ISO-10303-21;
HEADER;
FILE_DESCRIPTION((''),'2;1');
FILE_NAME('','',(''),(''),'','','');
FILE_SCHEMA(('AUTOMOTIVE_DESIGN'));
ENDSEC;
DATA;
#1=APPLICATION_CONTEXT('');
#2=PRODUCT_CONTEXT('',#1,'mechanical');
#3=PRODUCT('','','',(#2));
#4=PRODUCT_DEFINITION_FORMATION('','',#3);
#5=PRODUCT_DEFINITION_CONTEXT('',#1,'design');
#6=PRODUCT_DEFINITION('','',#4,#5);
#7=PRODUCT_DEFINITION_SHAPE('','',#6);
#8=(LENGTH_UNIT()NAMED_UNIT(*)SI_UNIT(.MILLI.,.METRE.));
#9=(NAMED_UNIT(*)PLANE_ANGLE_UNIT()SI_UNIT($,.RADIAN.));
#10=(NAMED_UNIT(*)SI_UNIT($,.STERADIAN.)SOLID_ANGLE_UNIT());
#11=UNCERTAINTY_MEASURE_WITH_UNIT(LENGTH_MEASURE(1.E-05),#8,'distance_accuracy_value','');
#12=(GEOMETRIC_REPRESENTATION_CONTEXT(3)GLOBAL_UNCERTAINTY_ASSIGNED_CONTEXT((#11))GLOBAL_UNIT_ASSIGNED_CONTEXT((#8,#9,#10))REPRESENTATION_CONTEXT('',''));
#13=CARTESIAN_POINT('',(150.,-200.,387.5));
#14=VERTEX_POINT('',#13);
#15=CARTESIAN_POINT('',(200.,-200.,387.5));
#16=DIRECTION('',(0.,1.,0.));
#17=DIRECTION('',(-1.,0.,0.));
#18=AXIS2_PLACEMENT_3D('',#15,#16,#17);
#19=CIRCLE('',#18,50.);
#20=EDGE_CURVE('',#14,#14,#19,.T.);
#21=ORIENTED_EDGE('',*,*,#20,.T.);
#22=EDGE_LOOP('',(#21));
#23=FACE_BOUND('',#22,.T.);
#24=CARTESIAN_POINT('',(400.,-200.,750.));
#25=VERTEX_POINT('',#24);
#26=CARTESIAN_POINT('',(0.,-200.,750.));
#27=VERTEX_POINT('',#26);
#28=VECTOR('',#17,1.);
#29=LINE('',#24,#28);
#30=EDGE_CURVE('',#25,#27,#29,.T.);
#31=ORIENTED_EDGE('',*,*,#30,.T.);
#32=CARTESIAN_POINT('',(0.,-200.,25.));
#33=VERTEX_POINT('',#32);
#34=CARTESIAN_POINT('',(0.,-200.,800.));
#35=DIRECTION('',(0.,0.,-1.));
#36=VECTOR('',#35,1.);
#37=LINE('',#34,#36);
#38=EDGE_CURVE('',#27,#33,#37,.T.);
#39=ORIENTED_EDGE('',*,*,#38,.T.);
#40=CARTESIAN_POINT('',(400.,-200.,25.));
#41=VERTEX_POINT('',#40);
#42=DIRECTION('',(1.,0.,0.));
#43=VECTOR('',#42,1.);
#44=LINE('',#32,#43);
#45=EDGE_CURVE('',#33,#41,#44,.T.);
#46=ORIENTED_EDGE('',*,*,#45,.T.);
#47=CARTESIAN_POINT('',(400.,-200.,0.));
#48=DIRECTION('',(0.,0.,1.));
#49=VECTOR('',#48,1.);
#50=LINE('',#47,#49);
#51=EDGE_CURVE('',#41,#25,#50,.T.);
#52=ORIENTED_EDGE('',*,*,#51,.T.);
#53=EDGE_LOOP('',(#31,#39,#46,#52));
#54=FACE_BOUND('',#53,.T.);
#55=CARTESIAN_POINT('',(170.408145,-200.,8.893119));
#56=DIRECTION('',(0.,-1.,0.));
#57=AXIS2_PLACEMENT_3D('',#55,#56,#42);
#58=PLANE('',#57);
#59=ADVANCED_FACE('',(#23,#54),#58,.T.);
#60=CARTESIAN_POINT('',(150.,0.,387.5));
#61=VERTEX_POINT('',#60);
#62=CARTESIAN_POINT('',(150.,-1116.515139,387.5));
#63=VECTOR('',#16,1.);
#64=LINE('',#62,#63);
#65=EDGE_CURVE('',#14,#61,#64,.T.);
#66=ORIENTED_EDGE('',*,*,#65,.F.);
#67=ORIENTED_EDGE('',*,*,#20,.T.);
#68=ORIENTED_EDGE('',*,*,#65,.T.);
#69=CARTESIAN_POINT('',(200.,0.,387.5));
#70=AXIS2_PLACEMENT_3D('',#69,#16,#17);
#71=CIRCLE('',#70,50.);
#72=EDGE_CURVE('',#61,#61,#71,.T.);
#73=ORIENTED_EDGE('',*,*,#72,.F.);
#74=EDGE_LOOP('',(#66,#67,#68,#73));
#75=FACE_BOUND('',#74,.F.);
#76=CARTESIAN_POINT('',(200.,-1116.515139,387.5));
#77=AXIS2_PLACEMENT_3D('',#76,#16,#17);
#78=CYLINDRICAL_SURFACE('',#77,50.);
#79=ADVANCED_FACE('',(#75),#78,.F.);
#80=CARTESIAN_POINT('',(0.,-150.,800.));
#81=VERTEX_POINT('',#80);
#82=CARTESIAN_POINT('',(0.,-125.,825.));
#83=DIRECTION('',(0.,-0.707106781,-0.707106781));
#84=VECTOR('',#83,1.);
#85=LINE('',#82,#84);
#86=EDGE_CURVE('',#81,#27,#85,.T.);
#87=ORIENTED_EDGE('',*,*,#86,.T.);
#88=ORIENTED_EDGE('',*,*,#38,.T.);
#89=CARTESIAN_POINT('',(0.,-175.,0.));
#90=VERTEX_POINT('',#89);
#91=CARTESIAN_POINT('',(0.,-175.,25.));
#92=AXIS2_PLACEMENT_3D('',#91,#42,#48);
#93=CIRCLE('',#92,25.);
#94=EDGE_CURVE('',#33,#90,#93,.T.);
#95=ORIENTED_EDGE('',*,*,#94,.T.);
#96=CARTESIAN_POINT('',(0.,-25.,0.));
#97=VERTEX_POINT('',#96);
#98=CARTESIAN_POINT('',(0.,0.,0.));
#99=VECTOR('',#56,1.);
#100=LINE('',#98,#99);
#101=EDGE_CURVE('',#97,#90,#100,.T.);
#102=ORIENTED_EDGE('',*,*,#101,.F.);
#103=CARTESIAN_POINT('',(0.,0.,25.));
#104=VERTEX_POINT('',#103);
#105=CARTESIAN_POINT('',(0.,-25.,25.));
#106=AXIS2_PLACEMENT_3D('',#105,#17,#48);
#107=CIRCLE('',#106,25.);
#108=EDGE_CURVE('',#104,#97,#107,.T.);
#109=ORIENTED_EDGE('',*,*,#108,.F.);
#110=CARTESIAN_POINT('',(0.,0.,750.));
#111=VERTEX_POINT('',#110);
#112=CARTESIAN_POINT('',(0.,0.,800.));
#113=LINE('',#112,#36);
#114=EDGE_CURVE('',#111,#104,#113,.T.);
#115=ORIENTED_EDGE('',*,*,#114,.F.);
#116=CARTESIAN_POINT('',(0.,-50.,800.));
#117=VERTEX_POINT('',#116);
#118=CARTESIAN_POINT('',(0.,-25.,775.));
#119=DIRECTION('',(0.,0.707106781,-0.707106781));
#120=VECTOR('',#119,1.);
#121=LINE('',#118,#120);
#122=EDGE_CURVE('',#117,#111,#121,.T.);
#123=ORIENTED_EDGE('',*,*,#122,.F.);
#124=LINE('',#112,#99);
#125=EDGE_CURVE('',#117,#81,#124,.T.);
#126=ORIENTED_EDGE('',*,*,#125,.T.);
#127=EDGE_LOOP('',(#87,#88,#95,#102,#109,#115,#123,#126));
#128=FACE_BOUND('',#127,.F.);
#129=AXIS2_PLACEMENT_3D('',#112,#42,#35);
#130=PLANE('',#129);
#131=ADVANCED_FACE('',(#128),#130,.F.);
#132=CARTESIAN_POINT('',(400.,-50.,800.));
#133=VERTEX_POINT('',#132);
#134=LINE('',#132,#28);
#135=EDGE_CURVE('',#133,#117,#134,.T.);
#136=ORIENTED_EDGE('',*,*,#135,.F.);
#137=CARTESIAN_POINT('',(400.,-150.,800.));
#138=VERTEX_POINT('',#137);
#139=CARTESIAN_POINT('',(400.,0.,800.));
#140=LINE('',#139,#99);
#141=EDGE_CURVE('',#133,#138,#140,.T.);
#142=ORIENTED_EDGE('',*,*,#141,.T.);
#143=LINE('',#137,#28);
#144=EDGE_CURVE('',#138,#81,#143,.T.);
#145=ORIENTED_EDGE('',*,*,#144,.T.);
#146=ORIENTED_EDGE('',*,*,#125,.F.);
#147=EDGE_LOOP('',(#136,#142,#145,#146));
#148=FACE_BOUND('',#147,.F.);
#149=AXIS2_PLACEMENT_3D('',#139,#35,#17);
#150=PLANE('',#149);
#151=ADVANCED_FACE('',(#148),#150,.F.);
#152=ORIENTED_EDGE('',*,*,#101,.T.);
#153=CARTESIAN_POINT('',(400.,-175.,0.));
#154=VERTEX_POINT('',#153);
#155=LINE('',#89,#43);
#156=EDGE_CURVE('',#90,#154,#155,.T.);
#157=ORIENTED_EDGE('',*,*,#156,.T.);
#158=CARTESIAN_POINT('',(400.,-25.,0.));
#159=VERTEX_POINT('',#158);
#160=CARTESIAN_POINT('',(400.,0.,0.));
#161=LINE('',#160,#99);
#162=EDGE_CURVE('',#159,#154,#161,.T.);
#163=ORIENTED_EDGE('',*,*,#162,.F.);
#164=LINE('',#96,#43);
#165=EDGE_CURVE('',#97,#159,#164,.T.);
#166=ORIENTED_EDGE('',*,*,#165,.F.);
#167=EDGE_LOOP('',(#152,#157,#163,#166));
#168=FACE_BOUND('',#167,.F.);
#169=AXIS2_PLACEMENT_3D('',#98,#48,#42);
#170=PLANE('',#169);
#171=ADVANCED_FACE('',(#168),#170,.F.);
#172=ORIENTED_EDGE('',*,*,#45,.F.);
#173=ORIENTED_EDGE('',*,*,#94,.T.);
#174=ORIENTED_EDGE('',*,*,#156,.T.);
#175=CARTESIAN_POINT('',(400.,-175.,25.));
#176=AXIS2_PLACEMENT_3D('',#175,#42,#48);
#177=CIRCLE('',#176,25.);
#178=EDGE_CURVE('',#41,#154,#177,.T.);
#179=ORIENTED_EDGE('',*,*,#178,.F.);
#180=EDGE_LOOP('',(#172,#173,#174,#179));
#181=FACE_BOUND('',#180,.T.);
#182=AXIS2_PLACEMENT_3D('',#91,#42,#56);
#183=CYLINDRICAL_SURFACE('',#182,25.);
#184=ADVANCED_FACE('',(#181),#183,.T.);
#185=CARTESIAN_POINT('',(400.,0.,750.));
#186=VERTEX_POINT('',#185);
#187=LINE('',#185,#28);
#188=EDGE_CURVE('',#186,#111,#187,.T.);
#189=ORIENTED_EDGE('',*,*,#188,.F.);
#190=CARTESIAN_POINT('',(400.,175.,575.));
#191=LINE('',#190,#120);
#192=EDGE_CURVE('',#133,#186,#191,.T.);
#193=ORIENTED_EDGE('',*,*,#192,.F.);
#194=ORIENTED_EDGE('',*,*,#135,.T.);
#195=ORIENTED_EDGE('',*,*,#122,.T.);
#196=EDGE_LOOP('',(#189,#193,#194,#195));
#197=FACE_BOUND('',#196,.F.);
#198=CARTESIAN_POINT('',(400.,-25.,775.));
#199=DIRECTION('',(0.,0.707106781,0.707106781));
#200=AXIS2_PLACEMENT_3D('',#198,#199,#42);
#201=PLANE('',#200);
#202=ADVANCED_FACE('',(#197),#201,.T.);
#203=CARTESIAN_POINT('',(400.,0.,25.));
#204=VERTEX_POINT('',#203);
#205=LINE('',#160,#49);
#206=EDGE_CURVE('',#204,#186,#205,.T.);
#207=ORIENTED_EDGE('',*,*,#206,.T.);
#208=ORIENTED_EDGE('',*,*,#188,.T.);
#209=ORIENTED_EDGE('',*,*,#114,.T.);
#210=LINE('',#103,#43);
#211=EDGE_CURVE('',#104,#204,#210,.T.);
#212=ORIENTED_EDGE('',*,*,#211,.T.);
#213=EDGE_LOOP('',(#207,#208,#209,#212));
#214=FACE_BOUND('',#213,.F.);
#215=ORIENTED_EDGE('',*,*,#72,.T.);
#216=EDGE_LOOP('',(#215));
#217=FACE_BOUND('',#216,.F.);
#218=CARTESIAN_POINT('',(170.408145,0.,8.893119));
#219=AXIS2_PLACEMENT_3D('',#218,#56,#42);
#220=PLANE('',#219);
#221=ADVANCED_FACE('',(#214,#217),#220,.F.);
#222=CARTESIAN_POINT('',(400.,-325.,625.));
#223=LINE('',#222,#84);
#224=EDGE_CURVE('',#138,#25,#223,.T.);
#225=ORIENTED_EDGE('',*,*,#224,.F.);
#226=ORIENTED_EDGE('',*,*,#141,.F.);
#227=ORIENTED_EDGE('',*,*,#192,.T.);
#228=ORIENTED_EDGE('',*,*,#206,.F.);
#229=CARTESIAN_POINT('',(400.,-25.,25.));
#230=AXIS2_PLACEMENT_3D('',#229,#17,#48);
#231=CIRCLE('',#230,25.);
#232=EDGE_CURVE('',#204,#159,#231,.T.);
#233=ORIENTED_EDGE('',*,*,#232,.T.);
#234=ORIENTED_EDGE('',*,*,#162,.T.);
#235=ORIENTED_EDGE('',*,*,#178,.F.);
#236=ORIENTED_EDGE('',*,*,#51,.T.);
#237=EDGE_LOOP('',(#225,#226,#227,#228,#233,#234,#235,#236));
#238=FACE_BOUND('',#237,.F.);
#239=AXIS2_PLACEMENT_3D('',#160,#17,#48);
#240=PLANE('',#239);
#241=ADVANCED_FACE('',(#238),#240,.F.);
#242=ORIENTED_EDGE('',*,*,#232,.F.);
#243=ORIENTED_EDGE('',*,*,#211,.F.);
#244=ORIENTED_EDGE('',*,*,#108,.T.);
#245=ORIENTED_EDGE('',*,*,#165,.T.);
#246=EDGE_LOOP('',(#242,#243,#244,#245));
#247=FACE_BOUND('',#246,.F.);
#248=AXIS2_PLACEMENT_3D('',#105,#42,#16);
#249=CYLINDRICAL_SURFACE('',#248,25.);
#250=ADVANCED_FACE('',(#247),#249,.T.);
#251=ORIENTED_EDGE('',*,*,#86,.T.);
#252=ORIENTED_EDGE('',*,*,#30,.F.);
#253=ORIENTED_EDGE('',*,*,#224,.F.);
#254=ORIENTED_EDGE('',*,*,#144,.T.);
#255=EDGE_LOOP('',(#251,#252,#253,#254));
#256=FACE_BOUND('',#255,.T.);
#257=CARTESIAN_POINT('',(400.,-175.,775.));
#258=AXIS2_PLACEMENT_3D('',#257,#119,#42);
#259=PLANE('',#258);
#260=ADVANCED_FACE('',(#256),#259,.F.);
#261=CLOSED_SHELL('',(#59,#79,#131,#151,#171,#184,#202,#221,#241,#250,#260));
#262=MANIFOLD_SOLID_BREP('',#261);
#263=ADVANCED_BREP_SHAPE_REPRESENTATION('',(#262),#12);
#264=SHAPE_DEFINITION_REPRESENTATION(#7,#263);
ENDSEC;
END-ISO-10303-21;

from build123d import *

# Parameters (mm, degrees)
F0_W     = 1.1063814163
F0_H     = 17.7862383425
F1_DEPTH = 200
F2_SIZE  = 50
F3_R     = 25
F5_D     = 100


with BuildPart() as f1:
    # F0 (on Front) → F1 (new body)
    with BuildSketch(Plane.XZ):
        with Locations((170.4081445932, 8.8931191713)):
            Rectangle(F0_W, F0_H)
        Polygon((0, 800), (0, 0), (169.8549538851, 0), (169.8549538851, 17.7862383425), (170.9613353014, 17.7862383425), (170.9613353014, 0), (400, 0), (400, 800), align=None)
    extrude(amount=F1_DEPTH)

    # F2
    f2_edges = [f1.edges().sort_by_distance(p)[0] for p in [
        (200, -200, 800),
        (200, 0, 800),
    ]]
    chamfer(f2_edges, length=F2_SIZE)

    # F3
    f3_edges = [f1.edges().sort_by_distance(p)[0] for p in [
        (200, -200, 0),
        (200, 0, 0),
    ]]
    fillet(f3_edges, radius=F3_R)

    # F5 (through all)
    with Locations(Plane.XZ.offset(200)):
        with Locations((200, 387.5)):
            Hole(F5_D / 2)


solid = f1.part
